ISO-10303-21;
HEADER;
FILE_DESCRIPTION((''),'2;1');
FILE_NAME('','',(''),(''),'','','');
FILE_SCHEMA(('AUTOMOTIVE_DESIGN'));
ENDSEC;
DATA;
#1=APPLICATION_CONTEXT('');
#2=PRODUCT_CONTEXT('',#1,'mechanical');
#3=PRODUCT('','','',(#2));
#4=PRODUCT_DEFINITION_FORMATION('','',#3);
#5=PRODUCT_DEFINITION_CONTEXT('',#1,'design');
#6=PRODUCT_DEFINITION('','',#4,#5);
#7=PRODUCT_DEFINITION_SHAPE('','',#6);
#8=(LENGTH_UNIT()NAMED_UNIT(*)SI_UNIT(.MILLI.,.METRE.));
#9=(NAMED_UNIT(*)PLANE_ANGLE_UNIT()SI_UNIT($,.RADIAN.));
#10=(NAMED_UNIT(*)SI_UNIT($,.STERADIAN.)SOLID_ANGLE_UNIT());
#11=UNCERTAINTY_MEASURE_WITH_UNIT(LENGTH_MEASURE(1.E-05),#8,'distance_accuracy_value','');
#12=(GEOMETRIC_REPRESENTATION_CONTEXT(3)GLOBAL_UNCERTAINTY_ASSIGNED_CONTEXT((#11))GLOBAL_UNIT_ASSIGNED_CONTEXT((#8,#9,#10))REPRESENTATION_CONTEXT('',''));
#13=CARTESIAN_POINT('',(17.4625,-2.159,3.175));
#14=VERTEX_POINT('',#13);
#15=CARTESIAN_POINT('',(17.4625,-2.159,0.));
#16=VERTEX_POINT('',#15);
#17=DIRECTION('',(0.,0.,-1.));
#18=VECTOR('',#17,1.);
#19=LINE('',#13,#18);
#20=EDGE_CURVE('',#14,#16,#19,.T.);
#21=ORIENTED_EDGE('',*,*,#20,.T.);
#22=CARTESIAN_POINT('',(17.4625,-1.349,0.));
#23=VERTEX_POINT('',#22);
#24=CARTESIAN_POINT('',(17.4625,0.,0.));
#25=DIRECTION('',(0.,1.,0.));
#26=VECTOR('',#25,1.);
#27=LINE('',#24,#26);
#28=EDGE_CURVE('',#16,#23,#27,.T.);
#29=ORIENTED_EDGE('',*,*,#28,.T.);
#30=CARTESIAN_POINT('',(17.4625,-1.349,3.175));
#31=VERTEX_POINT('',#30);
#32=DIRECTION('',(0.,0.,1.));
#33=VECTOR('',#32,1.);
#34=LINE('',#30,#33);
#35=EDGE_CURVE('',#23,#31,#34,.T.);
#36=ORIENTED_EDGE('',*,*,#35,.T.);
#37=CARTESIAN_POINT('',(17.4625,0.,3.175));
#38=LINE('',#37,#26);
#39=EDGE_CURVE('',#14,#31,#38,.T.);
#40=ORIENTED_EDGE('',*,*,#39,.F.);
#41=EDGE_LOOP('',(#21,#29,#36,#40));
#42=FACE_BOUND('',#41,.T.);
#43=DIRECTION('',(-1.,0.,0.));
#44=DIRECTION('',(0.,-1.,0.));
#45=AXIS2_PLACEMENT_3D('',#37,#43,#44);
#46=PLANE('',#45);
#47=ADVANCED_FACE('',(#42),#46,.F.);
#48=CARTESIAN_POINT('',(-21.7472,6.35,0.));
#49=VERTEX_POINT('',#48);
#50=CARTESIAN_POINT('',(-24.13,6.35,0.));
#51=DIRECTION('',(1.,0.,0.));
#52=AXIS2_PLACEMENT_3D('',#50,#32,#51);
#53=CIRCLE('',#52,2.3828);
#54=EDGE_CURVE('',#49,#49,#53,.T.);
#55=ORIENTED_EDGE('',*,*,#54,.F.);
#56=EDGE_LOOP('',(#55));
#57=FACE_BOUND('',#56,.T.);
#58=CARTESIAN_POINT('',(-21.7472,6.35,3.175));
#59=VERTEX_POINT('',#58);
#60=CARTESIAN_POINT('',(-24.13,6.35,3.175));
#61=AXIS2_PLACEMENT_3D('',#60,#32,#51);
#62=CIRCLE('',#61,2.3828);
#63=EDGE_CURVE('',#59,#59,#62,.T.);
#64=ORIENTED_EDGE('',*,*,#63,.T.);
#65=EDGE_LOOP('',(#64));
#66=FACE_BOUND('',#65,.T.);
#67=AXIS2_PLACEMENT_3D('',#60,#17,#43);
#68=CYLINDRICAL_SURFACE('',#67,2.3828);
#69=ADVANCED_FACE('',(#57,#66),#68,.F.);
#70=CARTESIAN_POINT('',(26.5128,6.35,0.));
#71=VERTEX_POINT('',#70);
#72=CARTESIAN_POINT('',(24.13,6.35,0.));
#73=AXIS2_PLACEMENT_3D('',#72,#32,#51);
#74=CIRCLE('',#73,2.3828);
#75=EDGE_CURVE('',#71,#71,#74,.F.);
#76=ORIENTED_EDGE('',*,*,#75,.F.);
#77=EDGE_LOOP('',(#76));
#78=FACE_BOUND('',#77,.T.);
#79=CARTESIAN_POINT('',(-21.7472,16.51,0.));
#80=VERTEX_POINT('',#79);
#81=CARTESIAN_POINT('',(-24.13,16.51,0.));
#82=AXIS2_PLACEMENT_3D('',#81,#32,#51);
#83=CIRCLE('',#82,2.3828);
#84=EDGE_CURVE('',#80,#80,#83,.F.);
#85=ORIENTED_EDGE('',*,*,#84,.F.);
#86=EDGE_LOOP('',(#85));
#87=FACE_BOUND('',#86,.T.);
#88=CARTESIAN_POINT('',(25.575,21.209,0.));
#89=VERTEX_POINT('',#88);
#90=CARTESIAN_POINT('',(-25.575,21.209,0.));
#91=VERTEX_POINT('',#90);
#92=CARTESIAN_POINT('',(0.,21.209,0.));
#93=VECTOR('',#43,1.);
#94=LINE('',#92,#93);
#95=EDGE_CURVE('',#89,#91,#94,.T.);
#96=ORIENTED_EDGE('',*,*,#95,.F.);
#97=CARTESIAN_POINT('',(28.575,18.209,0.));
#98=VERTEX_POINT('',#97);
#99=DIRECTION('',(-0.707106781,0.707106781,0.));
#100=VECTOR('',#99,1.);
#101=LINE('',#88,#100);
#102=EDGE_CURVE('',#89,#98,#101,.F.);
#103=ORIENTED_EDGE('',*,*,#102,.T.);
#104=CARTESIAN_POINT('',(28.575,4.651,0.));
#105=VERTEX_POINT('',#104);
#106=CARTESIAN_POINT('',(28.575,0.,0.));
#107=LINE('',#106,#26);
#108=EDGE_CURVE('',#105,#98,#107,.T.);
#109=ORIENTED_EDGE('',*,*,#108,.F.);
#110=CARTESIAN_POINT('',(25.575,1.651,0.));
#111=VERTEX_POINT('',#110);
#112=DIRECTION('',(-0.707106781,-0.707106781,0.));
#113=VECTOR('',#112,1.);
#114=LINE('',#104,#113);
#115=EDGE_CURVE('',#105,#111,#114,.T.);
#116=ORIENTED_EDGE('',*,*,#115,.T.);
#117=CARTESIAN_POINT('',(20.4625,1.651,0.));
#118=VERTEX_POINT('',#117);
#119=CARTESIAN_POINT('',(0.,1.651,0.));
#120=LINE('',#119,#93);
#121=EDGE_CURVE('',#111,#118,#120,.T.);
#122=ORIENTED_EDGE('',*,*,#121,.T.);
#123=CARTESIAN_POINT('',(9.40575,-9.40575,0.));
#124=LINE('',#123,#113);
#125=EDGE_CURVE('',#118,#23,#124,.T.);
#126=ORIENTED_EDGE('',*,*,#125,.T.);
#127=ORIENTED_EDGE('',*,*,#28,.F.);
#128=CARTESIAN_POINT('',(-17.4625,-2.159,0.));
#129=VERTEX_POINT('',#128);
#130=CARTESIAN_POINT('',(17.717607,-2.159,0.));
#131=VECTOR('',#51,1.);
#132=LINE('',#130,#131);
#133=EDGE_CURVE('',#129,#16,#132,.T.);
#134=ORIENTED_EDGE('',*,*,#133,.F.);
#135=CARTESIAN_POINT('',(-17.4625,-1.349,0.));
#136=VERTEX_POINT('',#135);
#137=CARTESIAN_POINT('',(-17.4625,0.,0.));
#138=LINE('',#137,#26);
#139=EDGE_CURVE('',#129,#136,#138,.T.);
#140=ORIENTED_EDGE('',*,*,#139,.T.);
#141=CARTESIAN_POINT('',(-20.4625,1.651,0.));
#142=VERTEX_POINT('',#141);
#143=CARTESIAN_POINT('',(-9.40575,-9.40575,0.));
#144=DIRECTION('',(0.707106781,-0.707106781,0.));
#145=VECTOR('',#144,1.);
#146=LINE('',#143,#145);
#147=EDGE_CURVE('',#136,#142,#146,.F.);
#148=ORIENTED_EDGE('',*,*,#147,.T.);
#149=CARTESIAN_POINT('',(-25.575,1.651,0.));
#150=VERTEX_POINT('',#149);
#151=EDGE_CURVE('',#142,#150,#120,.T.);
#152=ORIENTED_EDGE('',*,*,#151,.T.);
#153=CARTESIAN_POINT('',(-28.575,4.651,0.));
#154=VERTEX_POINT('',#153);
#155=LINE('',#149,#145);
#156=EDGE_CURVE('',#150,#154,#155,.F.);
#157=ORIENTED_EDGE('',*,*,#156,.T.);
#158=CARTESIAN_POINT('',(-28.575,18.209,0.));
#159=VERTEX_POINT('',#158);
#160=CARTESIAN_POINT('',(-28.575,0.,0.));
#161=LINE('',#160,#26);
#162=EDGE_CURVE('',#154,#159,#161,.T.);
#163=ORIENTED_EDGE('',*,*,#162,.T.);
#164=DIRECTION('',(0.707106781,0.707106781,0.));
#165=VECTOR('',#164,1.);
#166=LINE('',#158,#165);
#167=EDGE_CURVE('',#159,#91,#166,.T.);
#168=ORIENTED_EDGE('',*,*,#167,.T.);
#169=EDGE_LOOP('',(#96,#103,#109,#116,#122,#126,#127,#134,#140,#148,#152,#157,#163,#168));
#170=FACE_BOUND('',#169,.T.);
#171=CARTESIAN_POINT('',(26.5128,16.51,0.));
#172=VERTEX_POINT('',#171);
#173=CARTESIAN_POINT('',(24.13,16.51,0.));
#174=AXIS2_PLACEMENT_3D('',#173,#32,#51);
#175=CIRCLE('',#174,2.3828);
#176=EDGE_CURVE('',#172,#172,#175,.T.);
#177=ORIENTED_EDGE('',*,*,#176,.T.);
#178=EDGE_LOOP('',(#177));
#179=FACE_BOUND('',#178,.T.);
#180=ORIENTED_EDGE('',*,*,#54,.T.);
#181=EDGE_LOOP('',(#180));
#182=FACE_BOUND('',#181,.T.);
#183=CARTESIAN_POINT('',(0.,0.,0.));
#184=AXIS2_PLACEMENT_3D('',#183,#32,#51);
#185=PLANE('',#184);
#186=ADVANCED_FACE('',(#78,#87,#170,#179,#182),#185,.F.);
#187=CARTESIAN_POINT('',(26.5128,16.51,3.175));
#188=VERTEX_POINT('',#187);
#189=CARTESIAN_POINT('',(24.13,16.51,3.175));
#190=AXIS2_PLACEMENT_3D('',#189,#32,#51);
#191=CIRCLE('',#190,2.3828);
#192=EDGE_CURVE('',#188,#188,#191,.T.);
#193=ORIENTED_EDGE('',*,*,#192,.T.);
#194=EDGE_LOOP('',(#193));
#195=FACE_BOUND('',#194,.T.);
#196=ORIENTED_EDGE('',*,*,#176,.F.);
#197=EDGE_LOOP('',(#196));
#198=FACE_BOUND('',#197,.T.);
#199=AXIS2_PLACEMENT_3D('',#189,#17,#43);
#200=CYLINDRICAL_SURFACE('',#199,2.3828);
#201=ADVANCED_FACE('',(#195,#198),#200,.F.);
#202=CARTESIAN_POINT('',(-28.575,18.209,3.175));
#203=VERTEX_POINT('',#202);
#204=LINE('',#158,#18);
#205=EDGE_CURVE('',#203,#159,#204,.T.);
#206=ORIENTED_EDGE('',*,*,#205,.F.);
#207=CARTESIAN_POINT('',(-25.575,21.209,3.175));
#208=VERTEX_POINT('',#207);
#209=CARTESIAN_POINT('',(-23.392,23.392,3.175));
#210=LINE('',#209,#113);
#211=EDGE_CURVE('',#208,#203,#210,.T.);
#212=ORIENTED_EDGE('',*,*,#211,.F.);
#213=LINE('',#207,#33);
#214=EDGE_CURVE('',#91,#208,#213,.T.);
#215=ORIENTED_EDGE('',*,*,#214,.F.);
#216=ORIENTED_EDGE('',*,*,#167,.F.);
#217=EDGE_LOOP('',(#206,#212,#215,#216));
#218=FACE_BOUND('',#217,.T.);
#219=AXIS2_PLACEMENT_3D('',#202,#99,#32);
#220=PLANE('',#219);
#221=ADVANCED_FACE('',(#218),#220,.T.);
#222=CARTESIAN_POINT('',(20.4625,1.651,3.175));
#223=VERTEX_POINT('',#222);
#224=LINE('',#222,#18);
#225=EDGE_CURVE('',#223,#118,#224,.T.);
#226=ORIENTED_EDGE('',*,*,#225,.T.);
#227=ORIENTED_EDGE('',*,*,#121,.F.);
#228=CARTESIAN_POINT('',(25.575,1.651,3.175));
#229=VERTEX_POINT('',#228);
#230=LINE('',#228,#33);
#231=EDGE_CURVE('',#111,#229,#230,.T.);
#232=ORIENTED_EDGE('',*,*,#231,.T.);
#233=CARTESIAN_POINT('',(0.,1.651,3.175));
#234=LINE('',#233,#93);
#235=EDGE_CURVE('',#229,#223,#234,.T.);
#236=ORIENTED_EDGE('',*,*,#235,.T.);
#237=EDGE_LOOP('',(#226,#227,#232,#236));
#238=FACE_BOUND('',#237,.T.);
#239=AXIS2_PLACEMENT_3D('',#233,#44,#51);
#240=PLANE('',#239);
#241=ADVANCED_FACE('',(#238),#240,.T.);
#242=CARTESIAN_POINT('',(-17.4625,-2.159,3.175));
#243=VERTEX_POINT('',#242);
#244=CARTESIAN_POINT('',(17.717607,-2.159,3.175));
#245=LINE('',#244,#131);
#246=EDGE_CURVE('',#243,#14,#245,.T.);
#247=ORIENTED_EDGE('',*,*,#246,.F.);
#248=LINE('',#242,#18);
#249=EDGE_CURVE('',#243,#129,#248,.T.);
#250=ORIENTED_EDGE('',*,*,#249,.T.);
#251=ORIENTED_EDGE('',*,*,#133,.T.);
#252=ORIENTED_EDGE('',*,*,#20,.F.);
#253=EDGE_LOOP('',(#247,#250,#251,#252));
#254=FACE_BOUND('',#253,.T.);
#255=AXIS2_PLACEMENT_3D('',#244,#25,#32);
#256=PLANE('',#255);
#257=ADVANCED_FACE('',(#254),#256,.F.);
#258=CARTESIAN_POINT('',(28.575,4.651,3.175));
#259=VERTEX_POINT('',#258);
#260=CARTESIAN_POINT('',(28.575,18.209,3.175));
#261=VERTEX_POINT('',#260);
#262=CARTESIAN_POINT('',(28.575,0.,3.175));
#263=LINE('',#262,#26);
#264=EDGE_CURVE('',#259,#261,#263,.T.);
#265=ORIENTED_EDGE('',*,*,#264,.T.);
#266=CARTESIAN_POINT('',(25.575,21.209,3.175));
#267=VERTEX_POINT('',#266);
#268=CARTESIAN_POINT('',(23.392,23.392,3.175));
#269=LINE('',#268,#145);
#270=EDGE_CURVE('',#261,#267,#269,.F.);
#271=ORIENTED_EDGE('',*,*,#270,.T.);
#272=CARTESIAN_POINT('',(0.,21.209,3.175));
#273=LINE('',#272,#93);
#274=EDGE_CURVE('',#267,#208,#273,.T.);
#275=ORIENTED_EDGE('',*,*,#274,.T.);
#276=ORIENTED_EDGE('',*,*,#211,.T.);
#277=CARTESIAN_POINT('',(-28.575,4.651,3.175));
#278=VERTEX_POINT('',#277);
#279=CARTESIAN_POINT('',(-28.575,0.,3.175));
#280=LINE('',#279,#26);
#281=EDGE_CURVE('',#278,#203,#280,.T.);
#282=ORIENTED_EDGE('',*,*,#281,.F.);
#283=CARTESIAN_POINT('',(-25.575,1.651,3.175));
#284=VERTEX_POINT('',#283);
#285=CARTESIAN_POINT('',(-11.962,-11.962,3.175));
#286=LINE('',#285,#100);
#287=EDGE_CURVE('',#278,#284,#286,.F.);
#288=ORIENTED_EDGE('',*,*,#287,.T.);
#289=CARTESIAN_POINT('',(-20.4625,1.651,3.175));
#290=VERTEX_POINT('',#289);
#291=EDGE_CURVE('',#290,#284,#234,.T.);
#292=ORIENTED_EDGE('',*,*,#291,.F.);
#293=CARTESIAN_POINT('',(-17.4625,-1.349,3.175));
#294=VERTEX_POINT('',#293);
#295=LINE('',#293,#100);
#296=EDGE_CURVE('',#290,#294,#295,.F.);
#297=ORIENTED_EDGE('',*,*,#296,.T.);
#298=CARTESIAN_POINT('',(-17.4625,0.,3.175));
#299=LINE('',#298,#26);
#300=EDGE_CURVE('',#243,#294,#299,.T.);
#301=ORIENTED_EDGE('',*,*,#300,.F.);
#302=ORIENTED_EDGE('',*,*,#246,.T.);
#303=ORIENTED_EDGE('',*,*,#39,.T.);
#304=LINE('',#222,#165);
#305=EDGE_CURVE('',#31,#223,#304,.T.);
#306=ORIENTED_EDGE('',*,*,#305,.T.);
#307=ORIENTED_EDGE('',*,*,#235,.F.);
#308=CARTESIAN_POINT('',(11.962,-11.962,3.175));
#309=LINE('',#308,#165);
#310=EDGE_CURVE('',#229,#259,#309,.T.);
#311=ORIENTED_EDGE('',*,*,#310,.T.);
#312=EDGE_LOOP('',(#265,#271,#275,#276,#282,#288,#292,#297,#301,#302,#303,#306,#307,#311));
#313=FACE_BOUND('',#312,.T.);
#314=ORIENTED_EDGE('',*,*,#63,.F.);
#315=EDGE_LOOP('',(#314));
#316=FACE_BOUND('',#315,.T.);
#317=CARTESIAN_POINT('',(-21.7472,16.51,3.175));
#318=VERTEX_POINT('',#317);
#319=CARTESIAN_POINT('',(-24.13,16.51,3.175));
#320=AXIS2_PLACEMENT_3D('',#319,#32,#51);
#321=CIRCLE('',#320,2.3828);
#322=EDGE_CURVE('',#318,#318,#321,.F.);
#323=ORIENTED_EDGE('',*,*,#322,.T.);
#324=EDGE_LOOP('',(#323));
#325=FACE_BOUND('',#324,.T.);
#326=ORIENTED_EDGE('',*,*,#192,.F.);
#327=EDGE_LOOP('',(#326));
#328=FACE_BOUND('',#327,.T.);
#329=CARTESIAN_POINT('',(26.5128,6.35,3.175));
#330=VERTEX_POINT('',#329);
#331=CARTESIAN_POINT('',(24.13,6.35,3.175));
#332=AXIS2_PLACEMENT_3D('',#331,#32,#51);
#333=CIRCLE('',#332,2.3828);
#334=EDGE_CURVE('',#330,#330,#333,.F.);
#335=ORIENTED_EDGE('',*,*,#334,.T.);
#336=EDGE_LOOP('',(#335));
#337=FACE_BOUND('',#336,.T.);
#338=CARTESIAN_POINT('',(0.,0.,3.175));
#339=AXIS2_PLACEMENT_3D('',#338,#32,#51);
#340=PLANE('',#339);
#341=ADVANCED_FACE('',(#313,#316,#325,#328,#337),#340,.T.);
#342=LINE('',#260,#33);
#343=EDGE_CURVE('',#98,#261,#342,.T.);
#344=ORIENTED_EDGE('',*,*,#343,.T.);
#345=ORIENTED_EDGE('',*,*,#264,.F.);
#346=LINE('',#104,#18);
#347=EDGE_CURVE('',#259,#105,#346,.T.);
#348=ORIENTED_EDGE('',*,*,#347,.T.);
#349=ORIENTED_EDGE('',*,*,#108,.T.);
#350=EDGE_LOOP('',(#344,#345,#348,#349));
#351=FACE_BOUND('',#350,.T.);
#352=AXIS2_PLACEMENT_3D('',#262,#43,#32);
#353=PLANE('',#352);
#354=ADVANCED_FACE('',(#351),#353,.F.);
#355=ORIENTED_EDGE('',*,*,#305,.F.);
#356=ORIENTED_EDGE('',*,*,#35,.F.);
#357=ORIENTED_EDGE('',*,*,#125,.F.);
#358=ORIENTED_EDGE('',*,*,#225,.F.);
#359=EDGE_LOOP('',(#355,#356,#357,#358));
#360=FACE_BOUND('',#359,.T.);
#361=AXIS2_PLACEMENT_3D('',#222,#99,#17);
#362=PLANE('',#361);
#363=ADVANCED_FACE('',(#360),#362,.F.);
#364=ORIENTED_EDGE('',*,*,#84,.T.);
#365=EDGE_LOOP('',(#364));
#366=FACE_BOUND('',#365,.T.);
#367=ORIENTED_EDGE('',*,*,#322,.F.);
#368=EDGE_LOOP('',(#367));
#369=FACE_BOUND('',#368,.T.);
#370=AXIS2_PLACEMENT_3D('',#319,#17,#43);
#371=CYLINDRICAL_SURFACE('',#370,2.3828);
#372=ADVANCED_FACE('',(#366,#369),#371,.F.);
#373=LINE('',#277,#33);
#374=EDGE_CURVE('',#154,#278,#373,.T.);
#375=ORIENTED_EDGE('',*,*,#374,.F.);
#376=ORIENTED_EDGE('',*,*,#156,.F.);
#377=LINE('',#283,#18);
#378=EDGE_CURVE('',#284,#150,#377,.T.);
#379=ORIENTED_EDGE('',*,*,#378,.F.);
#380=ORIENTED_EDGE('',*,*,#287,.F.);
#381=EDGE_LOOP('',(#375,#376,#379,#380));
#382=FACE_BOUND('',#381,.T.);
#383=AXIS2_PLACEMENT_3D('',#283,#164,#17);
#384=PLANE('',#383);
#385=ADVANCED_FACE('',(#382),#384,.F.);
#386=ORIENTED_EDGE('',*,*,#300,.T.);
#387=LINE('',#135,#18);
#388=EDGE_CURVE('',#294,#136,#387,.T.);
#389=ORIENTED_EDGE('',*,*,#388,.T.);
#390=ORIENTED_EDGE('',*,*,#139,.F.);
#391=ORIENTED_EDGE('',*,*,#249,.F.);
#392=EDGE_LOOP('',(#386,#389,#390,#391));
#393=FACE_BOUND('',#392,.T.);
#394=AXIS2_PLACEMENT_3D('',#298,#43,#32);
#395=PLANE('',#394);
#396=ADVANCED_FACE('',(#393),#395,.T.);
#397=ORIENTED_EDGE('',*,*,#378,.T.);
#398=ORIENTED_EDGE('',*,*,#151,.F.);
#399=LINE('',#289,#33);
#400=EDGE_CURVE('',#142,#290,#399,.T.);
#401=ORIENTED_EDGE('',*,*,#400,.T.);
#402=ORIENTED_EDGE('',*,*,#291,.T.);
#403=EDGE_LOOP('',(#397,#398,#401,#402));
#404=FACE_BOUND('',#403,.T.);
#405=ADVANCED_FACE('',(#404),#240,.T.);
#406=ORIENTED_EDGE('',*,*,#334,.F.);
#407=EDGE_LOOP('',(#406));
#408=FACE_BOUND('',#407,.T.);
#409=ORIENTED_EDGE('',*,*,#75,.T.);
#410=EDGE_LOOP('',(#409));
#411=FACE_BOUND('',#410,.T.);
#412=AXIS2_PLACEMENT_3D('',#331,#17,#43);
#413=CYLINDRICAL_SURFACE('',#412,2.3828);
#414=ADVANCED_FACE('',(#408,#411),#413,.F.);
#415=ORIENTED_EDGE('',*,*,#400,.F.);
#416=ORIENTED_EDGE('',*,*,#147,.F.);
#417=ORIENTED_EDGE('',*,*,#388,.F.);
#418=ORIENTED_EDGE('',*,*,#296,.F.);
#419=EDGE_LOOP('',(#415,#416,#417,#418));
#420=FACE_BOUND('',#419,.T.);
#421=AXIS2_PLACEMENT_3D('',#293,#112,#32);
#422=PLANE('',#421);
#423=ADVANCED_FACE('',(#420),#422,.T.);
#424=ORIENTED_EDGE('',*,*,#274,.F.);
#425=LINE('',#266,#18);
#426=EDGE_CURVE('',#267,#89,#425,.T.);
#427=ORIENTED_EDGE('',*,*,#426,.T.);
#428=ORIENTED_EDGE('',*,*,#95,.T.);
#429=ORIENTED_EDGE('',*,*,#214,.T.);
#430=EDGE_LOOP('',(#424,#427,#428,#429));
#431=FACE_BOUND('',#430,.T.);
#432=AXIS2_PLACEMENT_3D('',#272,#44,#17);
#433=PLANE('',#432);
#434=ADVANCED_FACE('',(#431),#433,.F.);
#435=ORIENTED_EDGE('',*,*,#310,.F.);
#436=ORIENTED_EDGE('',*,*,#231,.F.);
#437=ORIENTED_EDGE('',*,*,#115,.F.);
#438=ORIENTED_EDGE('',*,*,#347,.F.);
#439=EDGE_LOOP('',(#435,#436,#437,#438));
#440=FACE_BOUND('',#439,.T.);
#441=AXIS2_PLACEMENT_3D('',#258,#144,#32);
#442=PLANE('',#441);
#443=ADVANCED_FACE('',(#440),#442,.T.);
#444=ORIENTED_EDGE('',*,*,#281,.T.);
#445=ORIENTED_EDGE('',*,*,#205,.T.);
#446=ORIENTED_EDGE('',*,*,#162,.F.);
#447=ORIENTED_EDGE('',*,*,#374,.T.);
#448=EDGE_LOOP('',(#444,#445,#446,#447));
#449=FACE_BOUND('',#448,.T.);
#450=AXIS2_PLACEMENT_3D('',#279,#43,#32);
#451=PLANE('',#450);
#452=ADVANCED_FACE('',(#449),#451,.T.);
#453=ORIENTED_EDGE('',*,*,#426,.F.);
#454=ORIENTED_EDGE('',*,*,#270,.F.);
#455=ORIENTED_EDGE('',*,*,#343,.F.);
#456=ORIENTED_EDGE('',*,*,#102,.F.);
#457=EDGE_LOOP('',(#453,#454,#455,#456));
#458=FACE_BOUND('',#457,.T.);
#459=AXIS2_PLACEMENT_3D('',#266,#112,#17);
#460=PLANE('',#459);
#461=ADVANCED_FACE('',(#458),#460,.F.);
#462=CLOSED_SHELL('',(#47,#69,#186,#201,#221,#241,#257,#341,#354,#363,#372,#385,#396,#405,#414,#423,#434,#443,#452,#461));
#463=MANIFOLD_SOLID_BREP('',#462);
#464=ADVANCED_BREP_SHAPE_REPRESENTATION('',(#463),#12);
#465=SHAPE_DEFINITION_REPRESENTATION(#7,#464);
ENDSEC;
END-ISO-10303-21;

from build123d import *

# Parameters (mm, degrees)
SKETCH1_R           = 3.475
SKETCH1_R_2         = 2.3828
BOSS_EXTRUDE1_DEPTH = 3.175
CHAMFER1_SIZE       = 3
CHAMFER2_SIZE       = 3
SKETCH2_W           = 36.09329734
SKETCH2_H           = 19.05
CUT_EXTRUDE1_DEPTH  = 36.727201556


with BuildPart() as part:
    # Sketch1 → Boss-Extrude1 (new body)
    with BuildSketch(Plane.XY):
        Polygon((17.4625, -21.209), (-17.4625, -21.209), (-17.4625, 1.651), (-28.575, 1.651), (-28.575, 21.209), (28.575, 21.209), (28.575, 1.651), (17.4625, 1.651), align=None)
        with Locations((-9.525, -10.541)):
            Circle(SKETCH1_R, mode=Mode.SUBTRACT)
        with Locations((9.525, -10.541)):
            Circle(SKETCH1_R, mode=Mode.SUBTRACT)
        with Locations((-24.13, 6.35)):
            Circle(SKETCH1_R_2, mode=Mode.SUBTRACT)
        with Locations((-24.13, 16.51)):
            Circle(SKETCH1_R_2, mode=Mode.SUBTRACT)
        with Locations((24.13, 16.51)):
            Circle(SKETCH1_R_2, mode=Mode.SUBTRACT)
        with Locations((24.13, 6.35)):
            Circle(SKETCH1_R_2, mode=Mode.SUBTRACT)
    extrude(amount=BOSS_EXTRUDE1_DEPTH)

    # Chamfer1
    chamfer1_edges = [part.edges().sort_by_distance(p)[0] for p in [
        (-28.575, 1.651, 1.5875),
        (-28.575, 21.209, 1.5875),
        (28.575, 21.209, 1.5875),
        (28.575, 1.651, 1.5875),
    ]]
    chamfer(chamfer1_edges, length=CHAMFER1_SIZE)

    # Chamfer2
    chamfer2_edges = [part.edges().sort_by_distance(p)[0] for p in [
        (17.4625, 1.651, 1.5875),
        (17.4625, -21.209, 1.5875),
        (-17.4625, -21.209, 1.5875),
        (-17.4625, 1.651, 1.5875),
    ]]
    chamfer(chamfer2_edges, length=CHAMFER2_SIZE)

    # Sketch2 → Cut-Extrude1 (cut, through all)
    with BuildSketch(Plane(origin=(0, 0, 0), x_dir=(-1, 0, 0), z_dir=(0, 0, -1))):
        with Locations((0.32904128, -11.684)):
            Rectangle(SKETCH2_W, SKETCH2_H)
    extrude(amount=-CUT_EXTRUDE1_DEPTH, mode=Mode.SUBTRACT)


solid = part.part
